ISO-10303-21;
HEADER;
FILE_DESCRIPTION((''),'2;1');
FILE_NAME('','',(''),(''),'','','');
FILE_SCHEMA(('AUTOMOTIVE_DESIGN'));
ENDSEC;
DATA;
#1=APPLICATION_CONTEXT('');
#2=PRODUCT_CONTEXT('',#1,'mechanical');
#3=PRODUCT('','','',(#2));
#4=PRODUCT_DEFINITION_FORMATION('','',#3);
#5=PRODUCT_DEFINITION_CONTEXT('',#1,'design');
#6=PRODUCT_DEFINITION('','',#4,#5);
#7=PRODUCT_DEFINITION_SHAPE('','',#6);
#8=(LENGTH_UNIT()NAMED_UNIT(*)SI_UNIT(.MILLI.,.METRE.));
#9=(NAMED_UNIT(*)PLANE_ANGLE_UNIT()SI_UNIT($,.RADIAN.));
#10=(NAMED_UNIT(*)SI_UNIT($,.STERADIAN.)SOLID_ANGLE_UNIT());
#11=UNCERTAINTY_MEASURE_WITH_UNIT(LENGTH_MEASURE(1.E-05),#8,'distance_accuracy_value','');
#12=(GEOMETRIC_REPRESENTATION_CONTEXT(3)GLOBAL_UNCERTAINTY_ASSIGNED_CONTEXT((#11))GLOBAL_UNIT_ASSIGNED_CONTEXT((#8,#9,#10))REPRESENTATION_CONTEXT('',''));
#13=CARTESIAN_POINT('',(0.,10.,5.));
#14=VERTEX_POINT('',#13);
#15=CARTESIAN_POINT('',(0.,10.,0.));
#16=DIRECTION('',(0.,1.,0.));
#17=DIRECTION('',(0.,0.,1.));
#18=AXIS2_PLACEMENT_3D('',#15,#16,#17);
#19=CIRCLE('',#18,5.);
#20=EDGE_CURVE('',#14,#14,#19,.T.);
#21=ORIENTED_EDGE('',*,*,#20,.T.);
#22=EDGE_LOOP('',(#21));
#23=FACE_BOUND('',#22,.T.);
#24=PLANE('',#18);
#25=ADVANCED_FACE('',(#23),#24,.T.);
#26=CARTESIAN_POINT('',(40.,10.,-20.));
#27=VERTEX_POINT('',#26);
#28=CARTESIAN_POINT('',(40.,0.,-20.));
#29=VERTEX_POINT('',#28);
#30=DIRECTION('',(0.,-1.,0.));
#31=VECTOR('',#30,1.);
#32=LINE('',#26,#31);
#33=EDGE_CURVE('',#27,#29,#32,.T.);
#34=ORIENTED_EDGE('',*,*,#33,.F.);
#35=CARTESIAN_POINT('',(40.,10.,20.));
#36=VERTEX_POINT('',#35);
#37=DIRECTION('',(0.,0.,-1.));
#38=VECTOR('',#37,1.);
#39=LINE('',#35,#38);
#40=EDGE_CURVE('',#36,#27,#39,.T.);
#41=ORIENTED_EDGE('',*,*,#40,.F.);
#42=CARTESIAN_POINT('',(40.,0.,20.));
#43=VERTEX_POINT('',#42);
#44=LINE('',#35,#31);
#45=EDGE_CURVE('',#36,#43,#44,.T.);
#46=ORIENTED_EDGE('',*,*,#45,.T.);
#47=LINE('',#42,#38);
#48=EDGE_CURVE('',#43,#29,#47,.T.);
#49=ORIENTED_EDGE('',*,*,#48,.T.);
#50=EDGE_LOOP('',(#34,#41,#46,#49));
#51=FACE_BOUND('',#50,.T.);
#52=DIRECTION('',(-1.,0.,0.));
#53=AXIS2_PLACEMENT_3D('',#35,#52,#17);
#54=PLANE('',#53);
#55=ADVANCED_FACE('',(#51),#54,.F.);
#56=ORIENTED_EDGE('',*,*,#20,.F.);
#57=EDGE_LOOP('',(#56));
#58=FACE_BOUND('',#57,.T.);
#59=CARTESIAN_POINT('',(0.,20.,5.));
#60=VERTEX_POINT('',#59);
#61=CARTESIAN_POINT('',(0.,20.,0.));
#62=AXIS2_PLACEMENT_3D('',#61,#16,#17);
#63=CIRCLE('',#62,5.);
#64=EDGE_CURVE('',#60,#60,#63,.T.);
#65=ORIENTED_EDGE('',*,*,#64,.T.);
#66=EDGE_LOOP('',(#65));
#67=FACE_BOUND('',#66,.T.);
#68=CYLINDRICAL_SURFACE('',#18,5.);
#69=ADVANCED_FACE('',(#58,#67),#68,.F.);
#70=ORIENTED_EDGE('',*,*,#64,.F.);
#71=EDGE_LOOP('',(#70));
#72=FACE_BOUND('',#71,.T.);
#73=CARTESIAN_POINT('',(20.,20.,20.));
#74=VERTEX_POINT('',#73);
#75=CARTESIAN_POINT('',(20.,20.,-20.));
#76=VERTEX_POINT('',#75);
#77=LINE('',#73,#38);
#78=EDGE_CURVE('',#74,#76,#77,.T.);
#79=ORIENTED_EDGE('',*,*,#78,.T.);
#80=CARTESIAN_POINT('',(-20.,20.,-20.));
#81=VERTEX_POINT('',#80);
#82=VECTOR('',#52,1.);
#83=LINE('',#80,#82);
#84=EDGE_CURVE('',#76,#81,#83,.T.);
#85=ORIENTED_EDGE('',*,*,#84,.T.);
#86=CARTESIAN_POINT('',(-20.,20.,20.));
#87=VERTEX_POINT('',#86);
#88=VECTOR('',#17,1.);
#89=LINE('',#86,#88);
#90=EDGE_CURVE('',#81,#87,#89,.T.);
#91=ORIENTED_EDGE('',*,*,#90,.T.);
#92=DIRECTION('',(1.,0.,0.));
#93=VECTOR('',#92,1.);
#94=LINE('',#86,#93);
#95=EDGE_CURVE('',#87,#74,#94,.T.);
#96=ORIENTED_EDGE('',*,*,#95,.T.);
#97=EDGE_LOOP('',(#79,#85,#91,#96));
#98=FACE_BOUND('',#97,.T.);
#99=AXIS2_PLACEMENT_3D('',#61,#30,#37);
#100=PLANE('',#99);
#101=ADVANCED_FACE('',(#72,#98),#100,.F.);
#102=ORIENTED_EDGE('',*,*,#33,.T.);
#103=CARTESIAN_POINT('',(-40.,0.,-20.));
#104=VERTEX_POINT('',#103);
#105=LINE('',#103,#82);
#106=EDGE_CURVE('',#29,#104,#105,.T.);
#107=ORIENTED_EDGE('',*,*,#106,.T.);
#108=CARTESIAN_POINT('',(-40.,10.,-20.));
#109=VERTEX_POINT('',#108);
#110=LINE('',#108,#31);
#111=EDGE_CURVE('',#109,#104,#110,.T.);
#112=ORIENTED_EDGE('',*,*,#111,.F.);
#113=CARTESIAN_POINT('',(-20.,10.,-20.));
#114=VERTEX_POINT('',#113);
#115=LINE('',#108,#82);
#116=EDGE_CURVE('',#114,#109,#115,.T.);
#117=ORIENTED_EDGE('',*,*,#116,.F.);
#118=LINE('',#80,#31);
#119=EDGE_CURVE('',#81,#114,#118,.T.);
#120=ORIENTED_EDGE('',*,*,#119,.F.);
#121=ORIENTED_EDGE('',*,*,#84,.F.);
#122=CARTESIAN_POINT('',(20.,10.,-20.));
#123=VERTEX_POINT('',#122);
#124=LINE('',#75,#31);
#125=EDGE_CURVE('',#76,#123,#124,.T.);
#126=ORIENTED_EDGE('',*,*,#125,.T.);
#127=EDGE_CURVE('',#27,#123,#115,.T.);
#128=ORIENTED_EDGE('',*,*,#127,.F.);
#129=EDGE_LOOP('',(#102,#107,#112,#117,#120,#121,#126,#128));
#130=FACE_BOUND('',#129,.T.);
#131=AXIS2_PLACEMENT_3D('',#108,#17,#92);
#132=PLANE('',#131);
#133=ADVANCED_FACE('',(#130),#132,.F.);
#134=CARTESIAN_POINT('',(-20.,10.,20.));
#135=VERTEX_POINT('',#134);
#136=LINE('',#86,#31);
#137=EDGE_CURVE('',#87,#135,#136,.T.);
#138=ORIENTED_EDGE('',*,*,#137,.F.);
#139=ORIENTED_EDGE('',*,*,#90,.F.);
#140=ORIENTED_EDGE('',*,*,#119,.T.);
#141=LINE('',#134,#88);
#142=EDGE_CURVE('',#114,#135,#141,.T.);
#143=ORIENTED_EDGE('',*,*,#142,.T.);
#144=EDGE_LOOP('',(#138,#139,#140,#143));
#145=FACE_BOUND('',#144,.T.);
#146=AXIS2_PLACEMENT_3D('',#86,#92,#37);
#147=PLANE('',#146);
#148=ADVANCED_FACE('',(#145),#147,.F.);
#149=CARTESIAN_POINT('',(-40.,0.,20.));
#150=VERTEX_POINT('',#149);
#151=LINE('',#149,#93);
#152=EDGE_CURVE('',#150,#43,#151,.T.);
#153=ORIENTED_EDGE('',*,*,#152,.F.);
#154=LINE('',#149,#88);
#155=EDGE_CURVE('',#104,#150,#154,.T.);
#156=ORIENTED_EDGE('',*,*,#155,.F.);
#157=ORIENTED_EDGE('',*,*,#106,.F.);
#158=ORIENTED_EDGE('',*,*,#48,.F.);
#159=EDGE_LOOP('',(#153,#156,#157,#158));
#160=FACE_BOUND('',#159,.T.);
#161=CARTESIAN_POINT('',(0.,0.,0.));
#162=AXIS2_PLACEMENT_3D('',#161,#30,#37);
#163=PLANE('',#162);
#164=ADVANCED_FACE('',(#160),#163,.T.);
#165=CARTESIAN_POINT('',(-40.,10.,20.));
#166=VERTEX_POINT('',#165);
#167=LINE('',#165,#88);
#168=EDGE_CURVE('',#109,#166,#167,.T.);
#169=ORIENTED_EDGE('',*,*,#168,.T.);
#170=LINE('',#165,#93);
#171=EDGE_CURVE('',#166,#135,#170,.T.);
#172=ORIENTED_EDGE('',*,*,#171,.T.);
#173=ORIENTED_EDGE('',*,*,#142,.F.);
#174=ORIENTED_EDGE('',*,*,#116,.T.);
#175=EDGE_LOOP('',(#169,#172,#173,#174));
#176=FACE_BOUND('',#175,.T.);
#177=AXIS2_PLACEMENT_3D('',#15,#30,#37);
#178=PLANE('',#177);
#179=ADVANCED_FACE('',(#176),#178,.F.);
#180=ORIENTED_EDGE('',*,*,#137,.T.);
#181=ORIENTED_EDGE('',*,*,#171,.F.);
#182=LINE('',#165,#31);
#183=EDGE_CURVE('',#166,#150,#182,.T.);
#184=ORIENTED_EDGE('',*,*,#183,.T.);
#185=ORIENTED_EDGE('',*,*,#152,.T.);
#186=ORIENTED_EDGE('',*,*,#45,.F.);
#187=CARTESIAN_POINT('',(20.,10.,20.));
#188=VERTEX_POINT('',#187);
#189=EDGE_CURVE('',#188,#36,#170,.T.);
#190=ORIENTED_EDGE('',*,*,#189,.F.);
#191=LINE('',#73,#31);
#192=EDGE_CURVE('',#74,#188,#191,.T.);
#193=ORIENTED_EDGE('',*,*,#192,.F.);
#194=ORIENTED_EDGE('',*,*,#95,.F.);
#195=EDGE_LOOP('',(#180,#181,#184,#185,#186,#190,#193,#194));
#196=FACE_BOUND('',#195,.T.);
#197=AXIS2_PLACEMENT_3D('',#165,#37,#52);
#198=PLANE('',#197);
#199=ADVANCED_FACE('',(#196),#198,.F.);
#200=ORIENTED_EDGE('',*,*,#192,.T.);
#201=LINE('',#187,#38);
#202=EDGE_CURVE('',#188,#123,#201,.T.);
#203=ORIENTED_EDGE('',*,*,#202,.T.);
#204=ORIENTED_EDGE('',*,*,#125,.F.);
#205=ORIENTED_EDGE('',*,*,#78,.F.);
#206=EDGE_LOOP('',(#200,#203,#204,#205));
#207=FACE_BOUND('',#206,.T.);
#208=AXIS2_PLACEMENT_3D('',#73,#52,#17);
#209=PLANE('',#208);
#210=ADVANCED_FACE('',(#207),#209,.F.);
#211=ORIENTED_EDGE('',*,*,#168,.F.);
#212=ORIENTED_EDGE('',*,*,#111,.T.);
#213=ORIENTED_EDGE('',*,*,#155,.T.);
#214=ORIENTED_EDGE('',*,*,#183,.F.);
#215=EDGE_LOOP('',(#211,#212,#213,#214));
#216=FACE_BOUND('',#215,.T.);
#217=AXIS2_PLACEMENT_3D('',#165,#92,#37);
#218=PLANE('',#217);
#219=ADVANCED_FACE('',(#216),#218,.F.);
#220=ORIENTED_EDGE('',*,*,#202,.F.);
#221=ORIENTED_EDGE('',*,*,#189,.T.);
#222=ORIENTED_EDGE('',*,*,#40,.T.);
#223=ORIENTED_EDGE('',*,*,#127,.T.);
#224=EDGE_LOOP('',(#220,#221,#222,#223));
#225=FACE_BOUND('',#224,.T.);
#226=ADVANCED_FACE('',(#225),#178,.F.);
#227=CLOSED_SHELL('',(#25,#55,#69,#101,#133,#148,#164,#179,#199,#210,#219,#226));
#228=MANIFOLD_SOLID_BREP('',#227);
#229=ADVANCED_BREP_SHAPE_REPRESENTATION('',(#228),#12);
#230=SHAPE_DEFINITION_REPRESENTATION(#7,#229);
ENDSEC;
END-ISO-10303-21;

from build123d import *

# Parameters (mm, degrees)
SKETCH1_W           = 80
SKETCH1_H           = 40
BOSS_EXTRUDE1_DEPTH = 10
SKETCH2_W           = 40
SKETCH2_H           = 40
BOSS_EXTRUDE2_DEPTH = 10
SKETCH3_R           = 5
CUT_EXTRUDE1_DEPTH  = 10
SKETCH4_R           = 5
BOSS_EXTRUDE3_DEPTH = 10
SKETCH5_R           = 5
CUT_EXTRUDE2_DEPTH  = 10


with BuildPart() as part:
    # Sketch1 → Boss-Extrude1 (new body)
    with BuildSketch(Plane(origin=(0, 0, 0), x_dir=(1, 0, 0), z_dir=(0, 1, 0))):
        Rectangle(SKETCH1_W, SKETCH1_H)
    extrude(amount=BOSS_EXTRUDE1_DEPTH)

    # Sketch2 → Boss-Extrude2 (add)
    with BuildSketch(Plane(origin=(0, 10, 0), x_dir=(1, 0, 0), z_dir=(0, 1, 0))):
        Rectangle(SKETCH2_W, SKETCH2_H)
    extrude(amount=BOSS_EXTRUDE2_DEPTH)

    # Sketch3 → Cut-Extrude1 (cut)
    with BuildSketch(Plane(origin=(0, 20, 0), x_dir=(1, 0, 0), z_dir=(0, 1, 0))):
        Circle(SKETCH3_R)
    extrude(amount=-CUT_EXTRUDE1_DEPTH, mode=Mode.SUBTRACT)

    # Sketch4 → Boss-Extrude3 (add)
    with BuildSketch(Plane(origin=(0, 10, 0), x_dir=(1, 0, 0), z_dir=(0, 1, 0))):
        Circle(SKETCH4_R)
    extrude(amount=BOSS_EXTRUDE3_DEPTH)

    # Sketch5 → Cut-Extrude2 (cut)
    with BuildSketch(Plane(origin=(0, 20, 0), x_dir=(1, 0, 0), z_dir=(0, 1, 0))):
        Circle(SKETCH5_R)
    extrude(amount=-CUT_EXTRUDE2_DEPTH, mode=Mode.SUBTRACT)


solid = part.part
